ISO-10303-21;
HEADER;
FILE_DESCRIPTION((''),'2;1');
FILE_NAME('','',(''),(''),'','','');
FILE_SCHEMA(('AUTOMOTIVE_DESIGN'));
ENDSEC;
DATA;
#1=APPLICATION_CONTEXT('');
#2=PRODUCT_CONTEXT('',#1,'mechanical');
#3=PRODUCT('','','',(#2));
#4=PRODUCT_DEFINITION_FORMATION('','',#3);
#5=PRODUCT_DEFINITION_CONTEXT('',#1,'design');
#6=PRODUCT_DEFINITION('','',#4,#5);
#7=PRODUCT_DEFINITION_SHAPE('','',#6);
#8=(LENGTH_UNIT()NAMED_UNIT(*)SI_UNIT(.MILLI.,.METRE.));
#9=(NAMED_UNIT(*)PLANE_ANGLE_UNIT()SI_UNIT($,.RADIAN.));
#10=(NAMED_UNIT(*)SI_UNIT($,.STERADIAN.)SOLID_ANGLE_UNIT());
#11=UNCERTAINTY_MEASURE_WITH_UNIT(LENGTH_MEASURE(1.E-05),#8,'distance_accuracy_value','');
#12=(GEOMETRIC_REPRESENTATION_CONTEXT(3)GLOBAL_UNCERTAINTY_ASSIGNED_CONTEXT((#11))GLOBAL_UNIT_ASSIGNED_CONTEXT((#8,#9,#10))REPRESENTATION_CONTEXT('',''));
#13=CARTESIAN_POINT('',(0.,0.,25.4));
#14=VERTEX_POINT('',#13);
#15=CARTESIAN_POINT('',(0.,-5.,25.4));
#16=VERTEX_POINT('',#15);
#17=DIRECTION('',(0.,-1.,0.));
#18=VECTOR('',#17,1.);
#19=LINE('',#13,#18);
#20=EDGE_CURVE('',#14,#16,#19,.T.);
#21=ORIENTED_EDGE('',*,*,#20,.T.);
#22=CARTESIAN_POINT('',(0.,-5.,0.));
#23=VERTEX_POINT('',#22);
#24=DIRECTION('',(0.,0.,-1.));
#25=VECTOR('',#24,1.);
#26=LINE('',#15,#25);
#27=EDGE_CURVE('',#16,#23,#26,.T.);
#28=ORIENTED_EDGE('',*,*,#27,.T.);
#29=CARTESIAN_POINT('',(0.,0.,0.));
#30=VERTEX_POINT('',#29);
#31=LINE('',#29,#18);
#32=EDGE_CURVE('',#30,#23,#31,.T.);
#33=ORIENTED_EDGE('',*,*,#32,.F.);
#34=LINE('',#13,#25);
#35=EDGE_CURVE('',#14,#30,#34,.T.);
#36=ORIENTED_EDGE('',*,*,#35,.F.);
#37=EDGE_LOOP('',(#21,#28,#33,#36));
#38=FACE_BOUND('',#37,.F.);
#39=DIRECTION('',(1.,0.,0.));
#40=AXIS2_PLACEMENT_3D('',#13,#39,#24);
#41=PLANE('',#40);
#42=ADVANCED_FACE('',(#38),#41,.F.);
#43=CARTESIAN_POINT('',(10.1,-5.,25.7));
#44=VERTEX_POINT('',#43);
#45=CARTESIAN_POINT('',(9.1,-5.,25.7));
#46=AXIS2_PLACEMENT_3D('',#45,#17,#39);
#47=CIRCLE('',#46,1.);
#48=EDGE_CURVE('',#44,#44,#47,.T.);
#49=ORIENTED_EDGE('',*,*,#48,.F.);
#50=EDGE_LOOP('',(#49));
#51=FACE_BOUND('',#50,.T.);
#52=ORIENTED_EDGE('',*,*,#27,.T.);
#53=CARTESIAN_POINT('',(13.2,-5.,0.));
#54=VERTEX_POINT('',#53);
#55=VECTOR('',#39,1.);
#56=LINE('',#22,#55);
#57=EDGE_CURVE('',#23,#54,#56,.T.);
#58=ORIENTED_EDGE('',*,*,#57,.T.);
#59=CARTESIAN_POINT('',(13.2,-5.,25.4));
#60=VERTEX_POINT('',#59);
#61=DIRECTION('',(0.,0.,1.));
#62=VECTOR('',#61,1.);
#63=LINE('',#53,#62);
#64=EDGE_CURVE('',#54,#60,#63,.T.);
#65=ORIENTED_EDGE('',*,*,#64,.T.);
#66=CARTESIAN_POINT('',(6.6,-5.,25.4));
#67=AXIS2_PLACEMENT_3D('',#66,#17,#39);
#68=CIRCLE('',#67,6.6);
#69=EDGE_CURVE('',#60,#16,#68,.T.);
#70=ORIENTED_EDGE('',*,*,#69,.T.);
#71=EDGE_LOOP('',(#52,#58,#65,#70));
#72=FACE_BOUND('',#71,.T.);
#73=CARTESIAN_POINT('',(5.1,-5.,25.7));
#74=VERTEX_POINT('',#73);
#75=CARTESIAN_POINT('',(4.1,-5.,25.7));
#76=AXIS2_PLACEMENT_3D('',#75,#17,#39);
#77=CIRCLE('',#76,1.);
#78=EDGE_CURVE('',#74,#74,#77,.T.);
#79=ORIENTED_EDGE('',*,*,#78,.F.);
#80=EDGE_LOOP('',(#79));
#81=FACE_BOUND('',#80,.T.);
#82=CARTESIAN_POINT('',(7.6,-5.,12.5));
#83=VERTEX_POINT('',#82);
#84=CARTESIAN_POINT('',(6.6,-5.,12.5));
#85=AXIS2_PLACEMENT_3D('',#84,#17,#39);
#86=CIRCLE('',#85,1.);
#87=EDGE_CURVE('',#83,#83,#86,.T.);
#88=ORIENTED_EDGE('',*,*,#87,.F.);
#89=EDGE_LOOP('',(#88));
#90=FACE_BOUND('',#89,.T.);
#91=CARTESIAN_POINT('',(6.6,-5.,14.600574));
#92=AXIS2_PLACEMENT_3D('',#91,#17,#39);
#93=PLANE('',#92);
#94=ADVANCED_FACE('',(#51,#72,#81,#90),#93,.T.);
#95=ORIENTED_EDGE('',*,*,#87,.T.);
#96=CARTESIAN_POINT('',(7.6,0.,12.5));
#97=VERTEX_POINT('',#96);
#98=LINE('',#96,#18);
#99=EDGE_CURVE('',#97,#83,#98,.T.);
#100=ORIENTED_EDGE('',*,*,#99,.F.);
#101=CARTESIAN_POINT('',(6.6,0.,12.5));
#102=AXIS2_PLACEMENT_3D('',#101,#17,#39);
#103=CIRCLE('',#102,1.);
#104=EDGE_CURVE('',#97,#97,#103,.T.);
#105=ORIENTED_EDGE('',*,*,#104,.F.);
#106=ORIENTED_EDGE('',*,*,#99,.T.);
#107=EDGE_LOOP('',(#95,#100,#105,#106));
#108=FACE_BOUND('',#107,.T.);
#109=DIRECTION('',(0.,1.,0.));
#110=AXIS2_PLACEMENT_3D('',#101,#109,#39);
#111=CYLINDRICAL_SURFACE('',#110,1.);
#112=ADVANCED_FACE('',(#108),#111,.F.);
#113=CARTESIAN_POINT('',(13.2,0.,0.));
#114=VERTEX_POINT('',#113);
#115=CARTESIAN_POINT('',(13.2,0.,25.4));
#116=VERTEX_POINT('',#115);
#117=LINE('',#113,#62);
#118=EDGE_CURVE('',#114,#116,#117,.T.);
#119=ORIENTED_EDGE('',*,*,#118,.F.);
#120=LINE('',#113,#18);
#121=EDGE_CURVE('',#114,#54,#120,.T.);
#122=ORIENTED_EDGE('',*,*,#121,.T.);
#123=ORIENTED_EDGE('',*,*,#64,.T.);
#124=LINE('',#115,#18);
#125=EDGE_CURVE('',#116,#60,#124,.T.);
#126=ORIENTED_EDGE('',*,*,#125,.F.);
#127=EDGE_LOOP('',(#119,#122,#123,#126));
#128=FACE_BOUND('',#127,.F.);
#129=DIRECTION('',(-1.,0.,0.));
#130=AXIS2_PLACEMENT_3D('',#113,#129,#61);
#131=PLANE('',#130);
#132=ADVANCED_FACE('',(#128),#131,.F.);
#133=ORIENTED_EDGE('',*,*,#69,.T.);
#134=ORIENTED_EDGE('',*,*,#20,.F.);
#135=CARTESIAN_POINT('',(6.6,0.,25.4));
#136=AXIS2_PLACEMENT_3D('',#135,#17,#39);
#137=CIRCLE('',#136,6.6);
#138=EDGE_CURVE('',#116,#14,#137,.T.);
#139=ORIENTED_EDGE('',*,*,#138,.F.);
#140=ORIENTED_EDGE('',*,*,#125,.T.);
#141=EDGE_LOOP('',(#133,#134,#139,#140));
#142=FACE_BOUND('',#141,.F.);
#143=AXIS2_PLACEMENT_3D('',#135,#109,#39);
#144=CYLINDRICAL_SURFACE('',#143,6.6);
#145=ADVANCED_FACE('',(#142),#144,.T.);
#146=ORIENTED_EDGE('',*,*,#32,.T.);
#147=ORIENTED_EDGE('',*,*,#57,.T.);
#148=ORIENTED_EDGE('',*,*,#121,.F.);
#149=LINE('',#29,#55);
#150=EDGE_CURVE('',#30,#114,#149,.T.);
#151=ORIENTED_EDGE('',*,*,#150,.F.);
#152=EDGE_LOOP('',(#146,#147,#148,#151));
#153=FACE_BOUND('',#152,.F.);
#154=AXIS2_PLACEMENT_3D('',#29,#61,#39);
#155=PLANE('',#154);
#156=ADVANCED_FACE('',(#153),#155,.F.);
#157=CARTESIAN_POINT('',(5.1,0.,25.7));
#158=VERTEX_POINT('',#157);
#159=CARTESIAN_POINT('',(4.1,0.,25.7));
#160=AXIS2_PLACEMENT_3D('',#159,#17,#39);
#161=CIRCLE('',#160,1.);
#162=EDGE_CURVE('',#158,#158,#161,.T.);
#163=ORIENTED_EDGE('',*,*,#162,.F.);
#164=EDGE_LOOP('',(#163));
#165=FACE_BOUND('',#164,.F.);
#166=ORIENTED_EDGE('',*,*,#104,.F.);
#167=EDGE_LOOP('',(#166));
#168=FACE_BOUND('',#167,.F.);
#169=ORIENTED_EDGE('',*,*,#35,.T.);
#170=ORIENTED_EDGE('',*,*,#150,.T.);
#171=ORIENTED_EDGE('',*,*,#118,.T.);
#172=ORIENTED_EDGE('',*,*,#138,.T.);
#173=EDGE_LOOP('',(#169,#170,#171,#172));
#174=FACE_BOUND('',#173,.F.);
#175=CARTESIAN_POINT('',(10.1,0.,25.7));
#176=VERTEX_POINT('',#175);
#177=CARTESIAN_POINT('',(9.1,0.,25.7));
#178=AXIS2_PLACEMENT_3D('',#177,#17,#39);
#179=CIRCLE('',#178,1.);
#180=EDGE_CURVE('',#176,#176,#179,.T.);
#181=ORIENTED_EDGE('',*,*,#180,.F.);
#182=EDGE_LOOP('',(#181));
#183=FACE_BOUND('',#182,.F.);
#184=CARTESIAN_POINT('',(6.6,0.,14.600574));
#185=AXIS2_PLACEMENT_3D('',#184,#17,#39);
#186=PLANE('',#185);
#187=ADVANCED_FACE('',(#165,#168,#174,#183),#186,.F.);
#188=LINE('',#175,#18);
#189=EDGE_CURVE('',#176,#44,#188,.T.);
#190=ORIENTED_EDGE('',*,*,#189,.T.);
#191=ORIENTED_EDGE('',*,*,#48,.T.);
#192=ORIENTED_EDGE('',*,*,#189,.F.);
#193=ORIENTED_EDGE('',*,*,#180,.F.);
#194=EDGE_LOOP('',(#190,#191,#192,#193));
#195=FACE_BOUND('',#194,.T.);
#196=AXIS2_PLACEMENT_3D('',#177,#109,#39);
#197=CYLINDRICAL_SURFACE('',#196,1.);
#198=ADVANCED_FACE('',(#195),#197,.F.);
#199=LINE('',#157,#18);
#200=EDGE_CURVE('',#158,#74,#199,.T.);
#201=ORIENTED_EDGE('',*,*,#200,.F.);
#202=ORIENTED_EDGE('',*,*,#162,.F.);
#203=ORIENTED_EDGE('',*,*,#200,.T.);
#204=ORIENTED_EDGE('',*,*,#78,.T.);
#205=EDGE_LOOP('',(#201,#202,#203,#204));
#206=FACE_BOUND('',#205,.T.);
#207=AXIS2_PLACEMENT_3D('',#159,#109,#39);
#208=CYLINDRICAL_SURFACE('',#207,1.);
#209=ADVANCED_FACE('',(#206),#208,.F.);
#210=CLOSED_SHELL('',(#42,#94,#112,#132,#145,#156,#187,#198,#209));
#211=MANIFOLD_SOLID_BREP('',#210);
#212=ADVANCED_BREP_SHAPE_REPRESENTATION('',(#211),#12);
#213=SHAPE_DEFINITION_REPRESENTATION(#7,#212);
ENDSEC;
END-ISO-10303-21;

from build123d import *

# Parameters (mm, degrees)
F0_R     = 1
F1_DEPTH = 5


with BuildPart() as f1:
    # F0 (on Front) → F1 (new body)
    with BuildSketch(Plane.XZ):
        with BuildLine():
            Line((0, 25.4), (0, 0))
            Line((0, 0), (13.2, 0))
            Line((13.2, 0), (13.2, 25.4))
            ThreePointArc((13.2, 25.4), (6.6, 32), (0, 25.4))
        make_face()
        with Locations((6.6, 12.5)):
            Circle(F0_R, mode=Mode.SUBTRACT)
        with Locations((4.1, 25.7)):
            Circle(F0_R, mode=Mode.SUBTRACT)
        with Locations((9.1, 25.7)):
            Circle(F0_R, mode=Mode.SUBTRACT)
    extrude(amount=F1_DEPTH)


solid = f1.part
